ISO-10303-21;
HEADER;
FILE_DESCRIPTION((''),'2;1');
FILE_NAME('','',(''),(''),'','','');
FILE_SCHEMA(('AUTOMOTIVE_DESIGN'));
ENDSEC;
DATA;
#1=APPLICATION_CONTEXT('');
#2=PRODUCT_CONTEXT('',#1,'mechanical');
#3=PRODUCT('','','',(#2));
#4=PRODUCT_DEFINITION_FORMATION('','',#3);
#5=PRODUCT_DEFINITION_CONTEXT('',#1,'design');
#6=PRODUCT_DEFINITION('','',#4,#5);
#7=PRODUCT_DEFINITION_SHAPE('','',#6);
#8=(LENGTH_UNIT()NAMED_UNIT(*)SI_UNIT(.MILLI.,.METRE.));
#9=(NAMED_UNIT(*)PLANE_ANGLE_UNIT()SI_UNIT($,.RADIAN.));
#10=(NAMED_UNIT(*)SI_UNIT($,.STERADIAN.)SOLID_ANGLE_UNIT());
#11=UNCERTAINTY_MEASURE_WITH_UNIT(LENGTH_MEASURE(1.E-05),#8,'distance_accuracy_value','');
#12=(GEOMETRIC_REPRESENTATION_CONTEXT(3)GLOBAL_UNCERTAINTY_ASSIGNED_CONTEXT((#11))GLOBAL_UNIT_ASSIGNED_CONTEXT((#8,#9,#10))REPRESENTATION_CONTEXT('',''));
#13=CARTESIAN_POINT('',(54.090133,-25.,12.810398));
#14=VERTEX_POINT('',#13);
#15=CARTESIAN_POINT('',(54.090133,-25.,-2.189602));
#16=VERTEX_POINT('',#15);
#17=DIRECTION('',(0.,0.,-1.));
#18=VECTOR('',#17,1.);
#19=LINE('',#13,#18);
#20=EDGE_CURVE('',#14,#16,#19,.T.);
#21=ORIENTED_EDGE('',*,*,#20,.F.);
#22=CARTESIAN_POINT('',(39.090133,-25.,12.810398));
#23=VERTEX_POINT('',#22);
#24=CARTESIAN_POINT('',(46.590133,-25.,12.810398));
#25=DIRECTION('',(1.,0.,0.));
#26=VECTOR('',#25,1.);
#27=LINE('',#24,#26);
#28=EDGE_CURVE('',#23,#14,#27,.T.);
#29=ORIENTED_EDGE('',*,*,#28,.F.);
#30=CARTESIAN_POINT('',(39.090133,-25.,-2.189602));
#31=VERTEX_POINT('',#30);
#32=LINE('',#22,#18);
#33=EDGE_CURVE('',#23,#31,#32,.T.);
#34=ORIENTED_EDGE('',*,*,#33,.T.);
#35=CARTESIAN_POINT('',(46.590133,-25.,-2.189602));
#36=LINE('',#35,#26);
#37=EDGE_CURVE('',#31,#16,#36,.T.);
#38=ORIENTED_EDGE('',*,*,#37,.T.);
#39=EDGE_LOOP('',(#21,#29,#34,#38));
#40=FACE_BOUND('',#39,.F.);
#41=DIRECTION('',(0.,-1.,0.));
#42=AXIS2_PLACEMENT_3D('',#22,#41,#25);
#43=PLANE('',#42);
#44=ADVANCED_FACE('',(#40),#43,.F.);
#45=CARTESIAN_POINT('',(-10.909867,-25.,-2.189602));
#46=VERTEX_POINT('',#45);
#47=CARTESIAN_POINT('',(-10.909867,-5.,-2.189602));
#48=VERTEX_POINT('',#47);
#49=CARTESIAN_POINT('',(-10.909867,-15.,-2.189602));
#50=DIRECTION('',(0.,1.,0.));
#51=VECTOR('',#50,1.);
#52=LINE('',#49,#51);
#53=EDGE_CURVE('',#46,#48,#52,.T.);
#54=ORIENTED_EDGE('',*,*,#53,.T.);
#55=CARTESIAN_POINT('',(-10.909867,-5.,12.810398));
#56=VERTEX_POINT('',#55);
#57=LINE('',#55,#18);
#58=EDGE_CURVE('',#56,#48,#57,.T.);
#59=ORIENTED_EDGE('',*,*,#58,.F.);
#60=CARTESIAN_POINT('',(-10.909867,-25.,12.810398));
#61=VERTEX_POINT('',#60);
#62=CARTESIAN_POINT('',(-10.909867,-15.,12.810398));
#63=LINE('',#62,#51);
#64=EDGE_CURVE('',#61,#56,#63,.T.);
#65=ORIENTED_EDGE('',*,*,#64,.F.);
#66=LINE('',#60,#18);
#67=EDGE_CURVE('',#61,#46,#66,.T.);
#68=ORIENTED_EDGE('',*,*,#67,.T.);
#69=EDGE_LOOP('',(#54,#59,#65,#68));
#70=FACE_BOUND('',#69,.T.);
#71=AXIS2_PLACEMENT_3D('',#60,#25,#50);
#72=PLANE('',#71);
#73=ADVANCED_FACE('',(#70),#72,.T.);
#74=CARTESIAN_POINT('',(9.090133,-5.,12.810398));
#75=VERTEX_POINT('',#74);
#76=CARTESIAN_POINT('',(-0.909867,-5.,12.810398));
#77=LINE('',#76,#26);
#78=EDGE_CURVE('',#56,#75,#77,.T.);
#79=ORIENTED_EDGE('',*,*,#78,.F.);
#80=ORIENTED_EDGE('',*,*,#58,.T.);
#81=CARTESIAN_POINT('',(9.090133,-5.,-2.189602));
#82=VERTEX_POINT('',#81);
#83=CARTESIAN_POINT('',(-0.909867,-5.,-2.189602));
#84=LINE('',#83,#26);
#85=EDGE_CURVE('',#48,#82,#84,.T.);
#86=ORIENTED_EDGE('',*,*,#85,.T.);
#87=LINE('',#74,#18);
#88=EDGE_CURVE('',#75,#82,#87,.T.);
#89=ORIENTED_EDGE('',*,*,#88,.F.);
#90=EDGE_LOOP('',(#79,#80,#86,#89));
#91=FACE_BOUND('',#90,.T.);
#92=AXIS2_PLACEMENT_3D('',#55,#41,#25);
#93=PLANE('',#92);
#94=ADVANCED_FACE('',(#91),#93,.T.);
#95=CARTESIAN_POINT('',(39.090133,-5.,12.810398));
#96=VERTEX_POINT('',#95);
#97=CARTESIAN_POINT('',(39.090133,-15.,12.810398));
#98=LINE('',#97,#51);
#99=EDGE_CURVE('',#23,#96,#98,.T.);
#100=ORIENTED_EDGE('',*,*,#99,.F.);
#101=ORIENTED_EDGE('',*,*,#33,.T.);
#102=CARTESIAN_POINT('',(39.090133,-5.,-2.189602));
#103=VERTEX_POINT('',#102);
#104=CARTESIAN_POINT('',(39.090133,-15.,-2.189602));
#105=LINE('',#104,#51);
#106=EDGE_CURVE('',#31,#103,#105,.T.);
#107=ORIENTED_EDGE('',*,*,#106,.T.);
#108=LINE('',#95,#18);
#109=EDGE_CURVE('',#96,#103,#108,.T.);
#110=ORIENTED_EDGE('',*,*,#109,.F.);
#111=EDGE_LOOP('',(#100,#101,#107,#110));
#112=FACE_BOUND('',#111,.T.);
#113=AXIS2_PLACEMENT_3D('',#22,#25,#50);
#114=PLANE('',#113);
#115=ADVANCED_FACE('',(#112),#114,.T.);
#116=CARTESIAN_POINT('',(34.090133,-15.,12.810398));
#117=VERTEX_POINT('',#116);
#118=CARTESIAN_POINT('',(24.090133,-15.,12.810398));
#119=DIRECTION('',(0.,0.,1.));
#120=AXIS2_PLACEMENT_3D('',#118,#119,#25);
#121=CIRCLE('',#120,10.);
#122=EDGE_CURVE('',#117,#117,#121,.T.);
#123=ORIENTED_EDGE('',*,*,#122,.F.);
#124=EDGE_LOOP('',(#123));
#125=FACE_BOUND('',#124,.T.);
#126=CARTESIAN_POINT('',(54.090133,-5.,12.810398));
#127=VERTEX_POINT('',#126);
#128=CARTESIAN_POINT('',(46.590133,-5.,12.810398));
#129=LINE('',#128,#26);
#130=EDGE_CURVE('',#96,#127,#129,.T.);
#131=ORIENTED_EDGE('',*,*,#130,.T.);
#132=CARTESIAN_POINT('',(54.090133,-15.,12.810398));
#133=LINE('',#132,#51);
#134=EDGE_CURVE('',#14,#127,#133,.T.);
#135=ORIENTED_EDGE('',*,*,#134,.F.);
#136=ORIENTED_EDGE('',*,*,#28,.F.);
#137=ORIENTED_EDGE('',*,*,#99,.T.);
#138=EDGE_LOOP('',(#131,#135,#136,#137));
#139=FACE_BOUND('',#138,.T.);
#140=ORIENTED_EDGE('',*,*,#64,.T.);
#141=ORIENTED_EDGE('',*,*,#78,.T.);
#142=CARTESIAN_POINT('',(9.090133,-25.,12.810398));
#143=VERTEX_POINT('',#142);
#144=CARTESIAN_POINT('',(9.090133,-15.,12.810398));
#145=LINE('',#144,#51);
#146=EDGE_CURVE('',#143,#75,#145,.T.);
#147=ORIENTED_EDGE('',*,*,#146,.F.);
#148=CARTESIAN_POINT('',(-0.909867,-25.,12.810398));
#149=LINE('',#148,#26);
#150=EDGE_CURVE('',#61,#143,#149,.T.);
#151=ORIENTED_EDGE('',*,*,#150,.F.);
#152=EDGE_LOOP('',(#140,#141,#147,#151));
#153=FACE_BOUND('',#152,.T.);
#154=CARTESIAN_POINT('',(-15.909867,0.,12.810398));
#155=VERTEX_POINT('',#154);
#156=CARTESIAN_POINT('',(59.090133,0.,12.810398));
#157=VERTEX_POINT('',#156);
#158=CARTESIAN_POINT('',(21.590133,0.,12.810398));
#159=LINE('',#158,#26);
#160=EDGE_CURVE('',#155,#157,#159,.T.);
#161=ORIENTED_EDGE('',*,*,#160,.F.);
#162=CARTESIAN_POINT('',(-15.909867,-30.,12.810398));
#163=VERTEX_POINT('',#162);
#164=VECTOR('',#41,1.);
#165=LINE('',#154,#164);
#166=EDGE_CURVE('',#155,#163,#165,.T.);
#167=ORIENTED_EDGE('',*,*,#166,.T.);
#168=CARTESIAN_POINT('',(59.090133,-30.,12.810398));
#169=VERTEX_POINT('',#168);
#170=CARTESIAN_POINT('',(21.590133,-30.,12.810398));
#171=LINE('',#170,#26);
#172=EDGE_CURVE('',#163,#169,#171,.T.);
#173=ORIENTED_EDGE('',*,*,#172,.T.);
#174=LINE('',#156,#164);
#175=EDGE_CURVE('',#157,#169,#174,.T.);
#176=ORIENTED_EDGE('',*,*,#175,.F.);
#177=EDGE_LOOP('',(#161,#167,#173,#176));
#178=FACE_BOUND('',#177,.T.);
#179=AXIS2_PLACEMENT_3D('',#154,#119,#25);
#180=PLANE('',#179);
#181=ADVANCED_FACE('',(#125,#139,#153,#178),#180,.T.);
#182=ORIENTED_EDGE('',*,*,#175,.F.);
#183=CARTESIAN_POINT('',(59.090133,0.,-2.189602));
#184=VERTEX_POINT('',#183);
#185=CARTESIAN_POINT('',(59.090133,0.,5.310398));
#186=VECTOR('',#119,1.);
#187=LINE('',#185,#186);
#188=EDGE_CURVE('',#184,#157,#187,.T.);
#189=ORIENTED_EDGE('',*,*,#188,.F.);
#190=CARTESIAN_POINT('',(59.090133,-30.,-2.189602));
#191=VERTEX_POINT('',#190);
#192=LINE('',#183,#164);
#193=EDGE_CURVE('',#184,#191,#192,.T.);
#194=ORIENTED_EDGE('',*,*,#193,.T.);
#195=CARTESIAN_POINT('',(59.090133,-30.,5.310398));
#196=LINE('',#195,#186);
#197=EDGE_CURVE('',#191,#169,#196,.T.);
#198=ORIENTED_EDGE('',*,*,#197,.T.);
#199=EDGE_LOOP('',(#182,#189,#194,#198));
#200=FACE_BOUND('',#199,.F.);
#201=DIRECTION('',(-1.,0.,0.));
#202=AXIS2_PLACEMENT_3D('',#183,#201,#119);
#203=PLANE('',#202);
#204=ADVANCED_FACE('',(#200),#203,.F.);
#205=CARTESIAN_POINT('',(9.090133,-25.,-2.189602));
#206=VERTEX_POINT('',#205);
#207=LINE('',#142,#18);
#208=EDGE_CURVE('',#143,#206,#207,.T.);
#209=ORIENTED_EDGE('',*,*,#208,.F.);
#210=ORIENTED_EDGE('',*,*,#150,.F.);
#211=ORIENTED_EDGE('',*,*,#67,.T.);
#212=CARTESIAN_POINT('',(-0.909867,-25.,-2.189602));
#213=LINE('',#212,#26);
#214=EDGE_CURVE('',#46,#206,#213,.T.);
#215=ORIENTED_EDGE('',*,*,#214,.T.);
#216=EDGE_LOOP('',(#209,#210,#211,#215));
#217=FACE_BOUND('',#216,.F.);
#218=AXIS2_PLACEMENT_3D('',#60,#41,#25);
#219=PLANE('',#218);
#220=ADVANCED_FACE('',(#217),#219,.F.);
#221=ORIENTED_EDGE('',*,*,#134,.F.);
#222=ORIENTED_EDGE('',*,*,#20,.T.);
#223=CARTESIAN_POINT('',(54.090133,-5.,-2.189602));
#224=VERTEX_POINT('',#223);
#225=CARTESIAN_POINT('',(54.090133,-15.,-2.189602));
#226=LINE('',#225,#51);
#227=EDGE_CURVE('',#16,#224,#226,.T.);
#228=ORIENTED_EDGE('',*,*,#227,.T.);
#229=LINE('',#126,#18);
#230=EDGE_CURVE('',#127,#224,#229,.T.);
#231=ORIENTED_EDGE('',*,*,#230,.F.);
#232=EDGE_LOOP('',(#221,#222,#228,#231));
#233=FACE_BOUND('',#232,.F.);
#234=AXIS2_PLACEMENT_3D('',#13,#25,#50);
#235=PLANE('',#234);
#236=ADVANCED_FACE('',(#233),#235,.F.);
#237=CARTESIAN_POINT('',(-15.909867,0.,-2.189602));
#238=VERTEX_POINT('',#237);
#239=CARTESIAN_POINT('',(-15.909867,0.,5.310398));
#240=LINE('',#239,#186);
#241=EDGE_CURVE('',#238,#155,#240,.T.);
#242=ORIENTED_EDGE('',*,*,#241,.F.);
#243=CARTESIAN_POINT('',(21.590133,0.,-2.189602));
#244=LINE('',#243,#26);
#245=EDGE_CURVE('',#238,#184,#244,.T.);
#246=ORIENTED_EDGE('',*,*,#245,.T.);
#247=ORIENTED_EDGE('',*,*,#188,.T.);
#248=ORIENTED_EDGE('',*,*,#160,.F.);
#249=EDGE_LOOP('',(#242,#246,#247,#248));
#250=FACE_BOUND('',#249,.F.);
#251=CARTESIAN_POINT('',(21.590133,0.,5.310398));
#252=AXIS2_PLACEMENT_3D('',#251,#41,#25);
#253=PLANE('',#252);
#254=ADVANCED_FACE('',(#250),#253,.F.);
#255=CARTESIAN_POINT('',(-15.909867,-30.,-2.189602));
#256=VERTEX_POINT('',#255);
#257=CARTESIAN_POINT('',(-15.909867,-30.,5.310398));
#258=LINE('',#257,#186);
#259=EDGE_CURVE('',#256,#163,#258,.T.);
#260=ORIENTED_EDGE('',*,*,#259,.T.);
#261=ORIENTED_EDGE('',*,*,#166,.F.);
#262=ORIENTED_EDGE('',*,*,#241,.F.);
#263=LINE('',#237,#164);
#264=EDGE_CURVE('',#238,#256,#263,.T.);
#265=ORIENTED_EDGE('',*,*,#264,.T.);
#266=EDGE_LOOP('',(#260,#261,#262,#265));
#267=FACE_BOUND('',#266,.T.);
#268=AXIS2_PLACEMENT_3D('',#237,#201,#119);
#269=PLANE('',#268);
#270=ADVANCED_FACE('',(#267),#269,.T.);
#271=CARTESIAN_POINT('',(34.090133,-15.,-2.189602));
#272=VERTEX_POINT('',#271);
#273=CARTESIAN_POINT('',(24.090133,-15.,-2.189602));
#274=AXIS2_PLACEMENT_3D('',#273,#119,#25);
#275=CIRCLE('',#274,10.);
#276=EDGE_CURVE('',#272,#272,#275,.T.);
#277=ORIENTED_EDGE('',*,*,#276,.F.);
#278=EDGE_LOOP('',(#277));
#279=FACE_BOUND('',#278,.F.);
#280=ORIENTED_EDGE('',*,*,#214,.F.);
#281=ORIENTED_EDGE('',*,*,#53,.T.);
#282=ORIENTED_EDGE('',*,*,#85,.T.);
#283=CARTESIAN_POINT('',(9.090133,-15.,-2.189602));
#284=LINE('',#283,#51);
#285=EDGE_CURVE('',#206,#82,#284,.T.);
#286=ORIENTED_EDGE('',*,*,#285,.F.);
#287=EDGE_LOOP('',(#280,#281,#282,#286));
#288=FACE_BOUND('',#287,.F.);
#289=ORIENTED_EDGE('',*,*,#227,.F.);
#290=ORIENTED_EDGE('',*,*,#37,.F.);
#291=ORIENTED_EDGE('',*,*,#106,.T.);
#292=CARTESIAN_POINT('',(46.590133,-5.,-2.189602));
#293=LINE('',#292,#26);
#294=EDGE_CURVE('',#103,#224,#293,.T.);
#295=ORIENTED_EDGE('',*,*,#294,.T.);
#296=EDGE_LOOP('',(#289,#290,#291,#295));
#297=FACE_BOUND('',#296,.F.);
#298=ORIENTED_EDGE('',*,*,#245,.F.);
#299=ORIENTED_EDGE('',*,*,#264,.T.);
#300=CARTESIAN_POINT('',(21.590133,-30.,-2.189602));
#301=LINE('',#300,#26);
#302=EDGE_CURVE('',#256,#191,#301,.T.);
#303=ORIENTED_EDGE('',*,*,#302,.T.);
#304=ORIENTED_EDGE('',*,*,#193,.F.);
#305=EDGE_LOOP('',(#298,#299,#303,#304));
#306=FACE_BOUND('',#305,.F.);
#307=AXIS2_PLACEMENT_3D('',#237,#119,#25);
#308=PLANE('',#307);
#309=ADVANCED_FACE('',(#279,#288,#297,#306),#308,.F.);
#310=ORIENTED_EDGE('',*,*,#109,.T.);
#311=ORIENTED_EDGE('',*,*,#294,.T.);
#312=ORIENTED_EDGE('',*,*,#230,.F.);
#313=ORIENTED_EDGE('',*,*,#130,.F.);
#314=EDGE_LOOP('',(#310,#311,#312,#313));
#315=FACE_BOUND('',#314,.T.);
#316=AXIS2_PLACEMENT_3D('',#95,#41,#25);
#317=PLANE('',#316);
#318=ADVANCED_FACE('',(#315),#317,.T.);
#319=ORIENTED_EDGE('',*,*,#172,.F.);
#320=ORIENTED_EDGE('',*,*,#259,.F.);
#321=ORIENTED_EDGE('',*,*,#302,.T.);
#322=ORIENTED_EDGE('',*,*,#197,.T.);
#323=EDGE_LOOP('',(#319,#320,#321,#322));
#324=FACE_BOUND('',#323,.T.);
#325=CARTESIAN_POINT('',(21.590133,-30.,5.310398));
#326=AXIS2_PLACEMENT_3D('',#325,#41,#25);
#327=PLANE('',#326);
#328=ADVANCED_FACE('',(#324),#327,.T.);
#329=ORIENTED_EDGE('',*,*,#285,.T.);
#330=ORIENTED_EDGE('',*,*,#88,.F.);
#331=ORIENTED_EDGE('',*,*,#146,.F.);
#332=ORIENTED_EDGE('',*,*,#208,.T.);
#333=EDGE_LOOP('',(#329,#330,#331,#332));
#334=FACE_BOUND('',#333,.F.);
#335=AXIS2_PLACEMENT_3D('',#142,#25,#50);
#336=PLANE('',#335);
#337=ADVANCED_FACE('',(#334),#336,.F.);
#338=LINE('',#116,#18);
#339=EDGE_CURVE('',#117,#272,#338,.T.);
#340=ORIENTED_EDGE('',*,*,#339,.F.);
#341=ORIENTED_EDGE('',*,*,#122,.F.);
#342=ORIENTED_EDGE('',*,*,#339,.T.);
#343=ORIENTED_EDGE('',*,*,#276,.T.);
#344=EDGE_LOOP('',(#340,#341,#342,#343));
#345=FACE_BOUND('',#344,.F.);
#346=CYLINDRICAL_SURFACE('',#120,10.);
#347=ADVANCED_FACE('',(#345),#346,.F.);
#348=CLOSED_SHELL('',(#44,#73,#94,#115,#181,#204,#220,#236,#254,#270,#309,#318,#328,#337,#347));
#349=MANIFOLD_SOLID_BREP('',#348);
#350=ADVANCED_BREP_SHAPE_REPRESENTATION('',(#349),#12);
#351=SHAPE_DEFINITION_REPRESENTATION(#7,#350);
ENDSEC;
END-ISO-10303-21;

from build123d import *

# Parameters (mm, degrees)
F0_W     = 75
F0_H     = 15
F1_DEPTH = 30
F2_W     = 20
F2_H     = 20
F3_DEPTH = 15
F4_R     = 10
F5_DEPTH = 15
F6_W     = 15
F6_H     = 20
F7_DEPTH = 15


with BuildPart() as f1:
    # F0 (on Front) → F1 (new body)
    with BuildSketch(Plane.XZ):
        with Locations((21.590133, 5.310398)):
            Rectangle(F0_W, F0_H)
    extrude(amount=F1_DEPTH)

    # F2 (on face) → F3 (cut)
    with BuildSketch(Plane.XY.offset(12.810398)):
        with Locations((-0.909867, -15)):
            Rectangle(F2_W, F2_H)
    extrude(amount=-F3_DEPTH, mode=Mode.SUBTRACT)

    # F4 (on face) → F5 (cut)
    with BuildSketch(Plane.XY.offset(12.810398)):
        with Locations((24.090133, -15)):
            Circle(F4_R)
    extrude(amount=-F5_DEPTH, mode=Mode.SUBTRACT)

    # F6 (on face) → F7 (cut)
    with BuildSketch(Plane.XY.offset(12.810398)):
        with Locations((46.590133, -15)):
            Rectangle(F6_W, F6_H)
    extrude(amount=-F7_DEPTH, mode=Mode.SUBTRACT)


solid = f1.part
